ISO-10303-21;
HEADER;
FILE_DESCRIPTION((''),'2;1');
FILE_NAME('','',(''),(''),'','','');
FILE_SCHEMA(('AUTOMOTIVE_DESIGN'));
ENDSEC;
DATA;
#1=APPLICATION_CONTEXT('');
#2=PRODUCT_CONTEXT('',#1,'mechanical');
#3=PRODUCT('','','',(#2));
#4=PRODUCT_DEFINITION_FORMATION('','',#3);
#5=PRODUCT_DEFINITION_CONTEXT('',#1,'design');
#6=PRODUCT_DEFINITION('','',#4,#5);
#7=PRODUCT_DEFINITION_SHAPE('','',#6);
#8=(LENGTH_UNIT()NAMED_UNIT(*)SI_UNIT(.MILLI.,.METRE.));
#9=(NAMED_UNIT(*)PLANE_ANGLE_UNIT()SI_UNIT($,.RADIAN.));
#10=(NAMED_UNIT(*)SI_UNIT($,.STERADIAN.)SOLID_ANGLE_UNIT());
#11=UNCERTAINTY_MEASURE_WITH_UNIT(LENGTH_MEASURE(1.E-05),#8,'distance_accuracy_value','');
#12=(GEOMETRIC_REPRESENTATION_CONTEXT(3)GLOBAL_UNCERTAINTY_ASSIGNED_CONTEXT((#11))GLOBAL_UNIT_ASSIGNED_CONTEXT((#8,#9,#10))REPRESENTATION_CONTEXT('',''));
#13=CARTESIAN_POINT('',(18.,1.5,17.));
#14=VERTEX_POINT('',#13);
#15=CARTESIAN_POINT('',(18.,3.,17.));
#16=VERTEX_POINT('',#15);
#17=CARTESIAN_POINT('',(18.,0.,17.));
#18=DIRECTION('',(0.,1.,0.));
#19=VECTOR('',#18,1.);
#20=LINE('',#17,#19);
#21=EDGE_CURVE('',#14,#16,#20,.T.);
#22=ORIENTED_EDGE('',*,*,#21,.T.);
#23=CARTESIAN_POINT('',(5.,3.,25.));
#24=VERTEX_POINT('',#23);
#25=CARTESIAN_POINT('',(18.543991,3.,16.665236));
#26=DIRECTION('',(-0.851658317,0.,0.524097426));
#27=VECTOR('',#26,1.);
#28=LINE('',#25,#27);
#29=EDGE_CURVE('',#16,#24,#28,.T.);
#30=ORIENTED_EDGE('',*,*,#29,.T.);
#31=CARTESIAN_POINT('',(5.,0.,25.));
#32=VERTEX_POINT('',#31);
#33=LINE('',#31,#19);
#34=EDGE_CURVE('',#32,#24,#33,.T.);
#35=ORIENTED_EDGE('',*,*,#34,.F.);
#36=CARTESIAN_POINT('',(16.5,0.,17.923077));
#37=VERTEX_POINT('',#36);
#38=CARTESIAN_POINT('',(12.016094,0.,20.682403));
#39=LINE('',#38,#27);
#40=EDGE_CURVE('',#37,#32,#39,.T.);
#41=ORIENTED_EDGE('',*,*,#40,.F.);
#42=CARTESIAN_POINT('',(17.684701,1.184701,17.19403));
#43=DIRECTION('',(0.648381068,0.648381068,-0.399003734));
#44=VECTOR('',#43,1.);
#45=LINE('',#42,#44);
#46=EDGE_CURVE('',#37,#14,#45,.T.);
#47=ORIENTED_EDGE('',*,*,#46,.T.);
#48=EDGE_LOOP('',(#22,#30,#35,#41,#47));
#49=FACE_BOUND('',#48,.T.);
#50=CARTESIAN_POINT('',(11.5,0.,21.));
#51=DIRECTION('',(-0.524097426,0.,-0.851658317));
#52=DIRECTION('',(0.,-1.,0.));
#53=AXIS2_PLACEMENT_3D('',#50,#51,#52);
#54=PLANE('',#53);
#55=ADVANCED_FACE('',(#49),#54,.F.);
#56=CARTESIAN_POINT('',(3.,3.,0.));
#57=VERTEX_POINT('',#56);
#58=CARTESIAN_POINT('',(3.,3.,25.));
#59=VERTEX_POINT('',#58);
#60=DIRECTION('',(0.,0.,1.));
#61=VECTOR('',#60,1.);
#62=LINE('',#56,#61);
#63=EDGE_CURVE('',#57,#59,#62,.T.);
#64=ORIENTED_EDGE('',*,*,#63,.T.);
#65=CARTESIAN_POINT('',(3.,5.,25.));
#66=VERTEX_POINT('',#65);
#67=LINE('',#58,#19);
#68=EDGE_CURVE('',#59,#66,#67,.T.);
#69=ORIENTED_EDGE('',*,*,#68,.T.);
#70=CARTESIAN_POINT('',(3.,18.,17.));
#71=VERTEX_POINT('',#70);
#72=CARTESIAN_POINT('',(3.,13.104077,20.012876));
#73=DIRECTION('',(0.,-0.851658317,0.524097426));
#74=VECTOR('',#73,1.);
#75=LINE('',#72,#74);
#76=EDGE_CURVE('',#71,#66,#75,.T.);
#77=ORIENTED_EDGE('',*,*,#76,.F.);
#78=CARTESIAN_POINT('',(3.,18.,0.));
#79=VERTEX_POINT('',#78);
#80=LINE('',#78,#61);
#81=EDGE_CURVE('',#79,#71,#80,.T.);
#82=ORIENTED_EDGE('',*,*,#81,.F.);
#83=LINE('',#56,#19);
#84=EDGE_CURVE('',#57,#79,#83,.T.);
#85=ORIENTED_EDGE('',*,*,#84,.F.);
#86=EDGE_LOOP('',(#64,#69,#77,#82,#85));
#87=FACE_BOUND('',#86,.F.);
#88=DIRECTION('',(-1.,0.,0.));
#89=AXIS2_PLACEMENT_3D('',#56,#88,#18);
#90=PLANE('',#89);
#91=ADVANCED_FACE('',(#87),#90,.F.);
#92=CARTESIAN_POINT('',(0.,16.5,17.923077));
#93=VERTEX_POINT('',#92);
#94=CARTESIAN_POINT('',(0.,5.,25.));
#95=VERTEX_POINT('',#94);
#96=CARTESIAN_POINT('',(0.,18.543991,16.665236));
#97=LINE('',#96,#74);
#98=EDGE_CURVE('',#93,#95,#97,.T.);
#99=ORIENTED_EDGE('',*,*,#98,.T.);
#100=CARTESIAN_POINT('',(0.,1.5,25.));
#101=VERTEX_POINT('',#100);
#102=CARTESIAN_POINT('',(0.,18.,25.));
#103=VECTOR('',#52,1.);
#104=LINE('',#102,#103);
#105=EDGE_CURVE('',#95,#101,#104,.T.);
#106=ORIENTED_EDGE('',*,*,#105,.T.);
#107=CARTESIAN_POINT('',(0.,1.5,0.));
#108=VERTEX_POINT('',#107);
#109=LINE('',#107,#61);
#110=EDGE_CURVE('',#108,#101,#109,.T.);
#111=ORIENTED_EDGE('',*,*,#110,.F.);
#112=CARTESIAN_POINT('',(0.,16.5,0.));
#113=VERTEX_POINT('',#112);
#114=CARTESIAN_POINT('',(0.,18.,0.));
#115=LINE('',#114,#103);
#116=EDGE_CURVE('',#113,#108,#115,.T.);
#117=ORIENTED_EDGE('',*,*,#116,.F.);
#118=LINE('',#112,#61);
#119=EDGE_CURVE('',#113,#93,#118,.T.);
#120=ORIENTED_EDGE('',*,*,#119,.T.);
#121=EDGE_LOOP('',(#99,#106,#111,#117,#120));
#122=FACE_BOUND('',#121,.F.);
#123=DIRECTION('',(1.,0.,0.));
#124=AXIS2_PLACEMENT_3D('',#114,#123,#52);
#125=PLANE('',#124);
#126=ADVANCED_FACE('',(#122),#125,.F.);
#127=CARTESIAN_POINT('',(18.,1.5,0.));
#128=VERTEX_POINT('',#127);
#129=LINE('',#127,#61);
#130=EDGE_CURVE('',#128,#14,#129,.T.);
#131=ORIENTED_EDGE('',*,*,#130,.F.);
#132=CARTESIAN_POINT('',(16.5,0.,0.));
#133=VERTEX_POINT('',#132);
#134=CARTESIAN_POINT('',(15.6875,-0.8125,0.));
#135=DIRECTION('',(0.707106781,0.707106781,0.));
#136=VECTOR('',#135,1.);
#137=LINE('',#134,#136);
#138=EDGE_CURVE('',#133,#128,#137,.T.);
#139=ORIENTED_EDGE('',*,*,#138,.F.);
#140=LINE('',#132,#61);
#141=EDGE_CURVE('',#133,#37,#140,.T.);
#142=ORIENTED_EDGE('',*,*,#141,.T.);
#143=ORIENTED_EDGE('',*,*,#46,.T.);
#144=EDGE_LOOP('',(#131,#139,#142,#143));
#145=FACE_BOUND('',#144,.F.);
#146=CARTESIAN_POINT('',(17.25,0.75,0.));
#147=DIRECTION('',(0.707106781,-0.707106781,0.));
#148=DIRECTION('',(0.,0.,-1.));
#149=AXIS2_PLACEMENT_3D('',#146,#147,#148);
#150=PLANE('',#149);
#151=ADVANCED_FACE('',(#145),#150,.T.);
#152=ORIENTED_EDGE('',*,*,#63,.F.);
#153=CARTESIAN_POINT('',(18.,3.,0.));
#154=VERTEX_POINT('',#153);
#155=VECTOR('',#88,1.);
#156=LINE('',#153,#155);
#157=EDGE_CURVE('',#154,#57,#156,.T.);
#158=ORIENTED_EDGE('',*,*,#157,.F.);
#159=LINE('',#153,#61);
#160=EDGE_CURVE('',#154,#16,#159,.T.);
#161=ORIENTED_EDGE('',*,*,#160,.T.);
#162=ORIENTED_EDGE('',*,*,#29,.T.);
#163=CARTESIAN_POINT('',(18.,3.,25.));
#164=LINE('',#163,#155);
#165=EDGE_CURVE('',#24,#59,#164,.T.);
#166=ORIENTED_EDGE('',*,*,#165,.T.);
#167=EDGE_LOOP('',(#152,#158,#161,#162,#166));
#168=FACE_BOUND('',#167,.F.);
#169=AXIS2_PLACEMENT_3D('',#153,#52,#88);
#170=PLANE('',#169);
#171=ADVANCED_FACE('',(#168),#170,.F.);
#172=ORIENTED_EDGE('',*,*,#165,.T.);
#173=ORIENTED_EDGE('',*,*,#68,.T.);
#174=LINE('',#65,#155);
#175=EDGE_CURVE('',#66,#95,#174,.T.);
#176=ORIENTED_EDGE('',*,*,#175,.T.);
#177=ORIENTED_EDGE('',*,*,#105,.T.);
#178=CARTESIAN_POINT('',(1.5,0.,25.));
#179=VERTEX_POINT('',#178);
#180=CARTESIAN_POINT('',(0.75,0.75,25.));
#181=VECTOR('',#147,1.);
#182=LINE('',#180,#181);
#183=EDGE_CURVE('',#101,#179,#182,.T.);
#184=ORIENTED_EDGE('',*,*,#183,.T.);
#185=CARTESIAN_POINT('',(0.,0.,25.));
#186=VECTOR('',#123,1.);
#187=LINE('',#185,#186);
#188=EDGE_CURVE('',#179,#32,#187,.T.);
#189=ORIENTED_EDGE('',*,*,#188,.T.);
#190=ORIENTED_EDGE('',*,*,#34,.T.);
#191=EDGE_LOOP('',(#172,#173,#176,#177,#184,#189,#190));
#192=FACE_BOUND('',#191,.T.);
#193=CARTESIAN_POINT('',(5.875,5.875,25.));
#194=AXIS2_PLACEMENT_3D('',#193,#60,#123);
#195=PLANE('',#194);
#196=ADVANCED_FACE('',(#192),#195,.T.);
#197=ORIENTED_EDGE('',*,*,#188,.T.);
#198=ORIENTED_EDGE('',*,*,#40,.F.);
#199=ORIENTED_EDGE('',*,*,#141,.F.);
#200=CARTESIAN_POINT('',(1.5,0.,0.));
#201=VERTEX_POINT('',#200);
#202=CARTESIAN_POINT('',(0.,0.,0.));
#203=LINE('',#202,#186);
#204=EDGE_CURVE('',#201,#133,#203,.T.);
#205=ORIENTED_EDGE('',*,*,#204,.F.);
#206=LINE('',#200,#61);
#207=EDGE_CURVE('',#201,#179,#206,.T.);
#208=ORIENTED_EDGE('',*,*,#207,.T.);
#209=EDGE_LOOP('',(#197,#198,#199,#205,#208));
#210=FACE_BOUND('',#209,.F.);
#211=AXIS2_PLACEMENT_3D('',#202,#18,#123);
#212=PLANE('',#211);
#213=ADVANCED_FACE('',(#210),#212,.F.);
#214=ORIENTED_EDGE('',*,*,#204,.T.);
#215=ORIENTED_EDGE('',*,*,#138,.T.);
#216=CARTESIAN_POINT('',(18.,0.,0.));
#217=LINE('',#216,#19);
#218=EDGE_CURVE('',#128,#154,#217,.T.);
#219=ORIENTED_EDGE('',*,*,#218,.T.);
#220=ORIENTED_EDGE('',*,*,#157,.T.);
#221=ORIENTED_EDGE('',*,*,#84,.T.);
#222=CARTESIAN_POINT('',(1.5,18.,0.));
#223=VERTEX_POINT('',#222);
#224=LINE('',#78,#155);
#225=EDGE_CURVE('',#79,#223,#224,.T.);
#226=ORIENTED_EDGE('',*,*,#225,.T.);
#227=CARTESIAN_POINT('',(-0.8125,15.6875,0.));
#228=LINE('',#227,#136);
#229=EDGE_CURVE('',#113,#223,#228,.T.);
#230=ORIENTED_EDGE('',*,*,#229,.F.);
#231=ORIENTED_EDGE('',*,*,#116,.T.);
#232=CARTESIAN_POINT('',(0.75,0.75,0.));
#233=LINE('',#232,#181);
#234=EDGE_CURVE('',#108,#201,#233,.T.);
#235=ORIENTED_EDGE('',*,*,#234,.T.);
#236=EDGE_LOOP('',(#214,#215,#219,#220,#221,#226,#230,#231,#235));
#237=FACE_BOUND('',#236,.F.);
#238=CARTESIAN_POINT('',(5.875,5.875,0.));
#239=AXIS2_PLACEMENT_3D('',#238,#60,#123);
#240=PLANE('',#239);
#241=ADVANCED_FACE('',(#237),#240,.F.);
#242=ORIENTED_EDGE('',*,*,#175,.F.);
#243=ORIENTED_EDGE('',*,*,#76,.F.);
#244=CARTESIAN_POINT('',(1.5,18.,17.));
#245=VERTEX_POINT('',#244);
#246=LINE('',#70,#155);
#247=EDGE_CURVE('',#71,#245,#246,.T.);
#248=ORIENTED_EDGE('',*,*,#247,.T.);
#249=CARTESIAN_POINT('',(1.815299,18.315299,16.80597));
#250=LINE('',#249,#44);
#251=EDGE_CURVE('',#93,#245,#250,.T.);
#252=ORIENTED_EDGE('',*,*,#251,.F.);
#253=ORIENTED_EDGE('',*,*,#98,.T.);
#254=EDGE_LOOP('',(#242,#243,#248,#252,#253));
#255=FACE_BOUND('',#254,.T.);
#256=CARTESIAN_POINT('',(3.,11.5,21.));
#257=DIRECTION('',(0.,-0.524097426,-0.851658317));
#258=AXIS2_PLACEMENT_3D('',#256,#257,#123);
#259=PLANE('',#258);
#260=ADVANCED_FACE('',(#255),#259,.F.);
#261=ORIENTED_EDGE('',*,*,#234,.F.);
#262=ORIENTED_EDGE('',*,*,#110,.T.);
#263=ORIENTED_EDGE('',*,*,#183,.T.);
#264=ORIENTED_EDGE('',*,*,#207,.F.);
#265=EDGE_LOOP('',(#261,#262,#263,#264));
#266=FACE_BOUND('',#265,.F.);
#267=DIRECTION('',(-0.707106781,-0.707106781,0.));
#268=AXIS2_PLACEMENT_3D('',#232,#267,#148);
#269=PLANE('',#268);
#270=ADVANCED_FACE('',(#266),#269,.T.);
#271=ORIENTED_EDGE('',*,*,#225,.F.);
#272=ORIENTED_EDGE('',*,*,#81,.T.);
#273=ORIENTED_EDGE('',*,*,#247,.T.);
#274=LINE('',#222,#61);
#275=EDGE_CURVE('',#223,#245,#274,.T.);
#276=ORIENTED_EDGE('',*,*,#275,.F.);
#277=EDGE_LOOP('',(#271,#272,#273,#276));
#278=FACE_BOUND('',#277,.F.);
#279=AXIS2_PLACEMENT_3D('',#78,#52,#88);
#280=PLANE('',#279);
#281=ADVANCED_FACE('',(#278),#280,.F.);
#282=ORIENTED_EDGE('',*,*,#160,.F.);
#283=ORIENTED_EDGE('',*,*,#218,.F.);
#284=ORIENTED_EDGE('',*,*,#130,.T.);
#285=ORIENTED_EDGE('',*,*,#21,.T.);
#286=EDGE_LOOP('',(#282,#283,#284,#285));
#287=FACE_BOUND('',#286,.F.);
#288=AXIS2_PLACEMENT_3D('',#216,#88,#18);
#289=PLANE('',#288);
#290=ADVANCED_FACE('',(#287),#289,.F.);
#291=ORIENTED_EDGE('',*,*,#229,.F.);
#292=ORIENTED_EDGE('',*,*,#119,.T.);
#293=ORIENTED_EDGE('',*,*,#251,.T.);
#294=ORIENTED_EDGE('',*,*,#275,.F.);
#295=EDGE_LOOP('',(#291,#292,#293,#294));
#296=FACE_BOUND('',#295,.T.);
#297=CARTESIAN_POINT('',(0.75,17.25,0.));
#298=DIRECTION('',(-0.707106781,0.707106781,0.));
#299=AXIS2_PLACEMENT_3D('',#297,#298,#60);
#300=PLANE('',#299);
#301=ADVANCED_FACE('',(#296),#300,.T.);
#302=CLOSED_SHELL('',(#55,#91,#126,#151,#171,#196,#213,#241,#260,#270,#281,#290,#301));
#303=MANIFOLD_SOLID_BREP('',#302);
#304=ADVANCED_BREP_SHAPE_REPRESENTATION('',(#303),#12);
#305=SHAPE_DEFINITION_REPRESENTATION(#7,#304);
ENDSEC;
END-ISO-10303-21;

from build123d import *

# Parameters (mm, degrees)
F1_DEPTH = 25
F2_SIZE2 = 13
F2_SIZE  = 8
F3_SIZE  = 1.5


with BuildPart() as f1:
    # F0 (on Top) → F1 (new body)
    with BuildSketch(Plane.XY):
        Polygon((0, 18), (0, 0), (18, 0), (18, 3), (3, 3), (3, 18), align=None)
    extrude(amount=F1_DEPTH)

    # F2
    f2_edges = [f1.edges().sort_by_distance(p)[0] for p in [
        (1.5, 18, 25),
        (18, 1.5, 25),
    ]]
    chamfer(f2_edges, length=F2_SIZE, length2=F2_SIZE2)

    # F3
    f3_edges = [f1.edges().sort_by_distance(p)[0] for p in [
        (0, 18, 8.5),
        (0, 0, 12.5),
        (18, 0, 8.5),
    ]]
    chamfer(f3_edges, length=F3_SIZE)


solid = f1.part
